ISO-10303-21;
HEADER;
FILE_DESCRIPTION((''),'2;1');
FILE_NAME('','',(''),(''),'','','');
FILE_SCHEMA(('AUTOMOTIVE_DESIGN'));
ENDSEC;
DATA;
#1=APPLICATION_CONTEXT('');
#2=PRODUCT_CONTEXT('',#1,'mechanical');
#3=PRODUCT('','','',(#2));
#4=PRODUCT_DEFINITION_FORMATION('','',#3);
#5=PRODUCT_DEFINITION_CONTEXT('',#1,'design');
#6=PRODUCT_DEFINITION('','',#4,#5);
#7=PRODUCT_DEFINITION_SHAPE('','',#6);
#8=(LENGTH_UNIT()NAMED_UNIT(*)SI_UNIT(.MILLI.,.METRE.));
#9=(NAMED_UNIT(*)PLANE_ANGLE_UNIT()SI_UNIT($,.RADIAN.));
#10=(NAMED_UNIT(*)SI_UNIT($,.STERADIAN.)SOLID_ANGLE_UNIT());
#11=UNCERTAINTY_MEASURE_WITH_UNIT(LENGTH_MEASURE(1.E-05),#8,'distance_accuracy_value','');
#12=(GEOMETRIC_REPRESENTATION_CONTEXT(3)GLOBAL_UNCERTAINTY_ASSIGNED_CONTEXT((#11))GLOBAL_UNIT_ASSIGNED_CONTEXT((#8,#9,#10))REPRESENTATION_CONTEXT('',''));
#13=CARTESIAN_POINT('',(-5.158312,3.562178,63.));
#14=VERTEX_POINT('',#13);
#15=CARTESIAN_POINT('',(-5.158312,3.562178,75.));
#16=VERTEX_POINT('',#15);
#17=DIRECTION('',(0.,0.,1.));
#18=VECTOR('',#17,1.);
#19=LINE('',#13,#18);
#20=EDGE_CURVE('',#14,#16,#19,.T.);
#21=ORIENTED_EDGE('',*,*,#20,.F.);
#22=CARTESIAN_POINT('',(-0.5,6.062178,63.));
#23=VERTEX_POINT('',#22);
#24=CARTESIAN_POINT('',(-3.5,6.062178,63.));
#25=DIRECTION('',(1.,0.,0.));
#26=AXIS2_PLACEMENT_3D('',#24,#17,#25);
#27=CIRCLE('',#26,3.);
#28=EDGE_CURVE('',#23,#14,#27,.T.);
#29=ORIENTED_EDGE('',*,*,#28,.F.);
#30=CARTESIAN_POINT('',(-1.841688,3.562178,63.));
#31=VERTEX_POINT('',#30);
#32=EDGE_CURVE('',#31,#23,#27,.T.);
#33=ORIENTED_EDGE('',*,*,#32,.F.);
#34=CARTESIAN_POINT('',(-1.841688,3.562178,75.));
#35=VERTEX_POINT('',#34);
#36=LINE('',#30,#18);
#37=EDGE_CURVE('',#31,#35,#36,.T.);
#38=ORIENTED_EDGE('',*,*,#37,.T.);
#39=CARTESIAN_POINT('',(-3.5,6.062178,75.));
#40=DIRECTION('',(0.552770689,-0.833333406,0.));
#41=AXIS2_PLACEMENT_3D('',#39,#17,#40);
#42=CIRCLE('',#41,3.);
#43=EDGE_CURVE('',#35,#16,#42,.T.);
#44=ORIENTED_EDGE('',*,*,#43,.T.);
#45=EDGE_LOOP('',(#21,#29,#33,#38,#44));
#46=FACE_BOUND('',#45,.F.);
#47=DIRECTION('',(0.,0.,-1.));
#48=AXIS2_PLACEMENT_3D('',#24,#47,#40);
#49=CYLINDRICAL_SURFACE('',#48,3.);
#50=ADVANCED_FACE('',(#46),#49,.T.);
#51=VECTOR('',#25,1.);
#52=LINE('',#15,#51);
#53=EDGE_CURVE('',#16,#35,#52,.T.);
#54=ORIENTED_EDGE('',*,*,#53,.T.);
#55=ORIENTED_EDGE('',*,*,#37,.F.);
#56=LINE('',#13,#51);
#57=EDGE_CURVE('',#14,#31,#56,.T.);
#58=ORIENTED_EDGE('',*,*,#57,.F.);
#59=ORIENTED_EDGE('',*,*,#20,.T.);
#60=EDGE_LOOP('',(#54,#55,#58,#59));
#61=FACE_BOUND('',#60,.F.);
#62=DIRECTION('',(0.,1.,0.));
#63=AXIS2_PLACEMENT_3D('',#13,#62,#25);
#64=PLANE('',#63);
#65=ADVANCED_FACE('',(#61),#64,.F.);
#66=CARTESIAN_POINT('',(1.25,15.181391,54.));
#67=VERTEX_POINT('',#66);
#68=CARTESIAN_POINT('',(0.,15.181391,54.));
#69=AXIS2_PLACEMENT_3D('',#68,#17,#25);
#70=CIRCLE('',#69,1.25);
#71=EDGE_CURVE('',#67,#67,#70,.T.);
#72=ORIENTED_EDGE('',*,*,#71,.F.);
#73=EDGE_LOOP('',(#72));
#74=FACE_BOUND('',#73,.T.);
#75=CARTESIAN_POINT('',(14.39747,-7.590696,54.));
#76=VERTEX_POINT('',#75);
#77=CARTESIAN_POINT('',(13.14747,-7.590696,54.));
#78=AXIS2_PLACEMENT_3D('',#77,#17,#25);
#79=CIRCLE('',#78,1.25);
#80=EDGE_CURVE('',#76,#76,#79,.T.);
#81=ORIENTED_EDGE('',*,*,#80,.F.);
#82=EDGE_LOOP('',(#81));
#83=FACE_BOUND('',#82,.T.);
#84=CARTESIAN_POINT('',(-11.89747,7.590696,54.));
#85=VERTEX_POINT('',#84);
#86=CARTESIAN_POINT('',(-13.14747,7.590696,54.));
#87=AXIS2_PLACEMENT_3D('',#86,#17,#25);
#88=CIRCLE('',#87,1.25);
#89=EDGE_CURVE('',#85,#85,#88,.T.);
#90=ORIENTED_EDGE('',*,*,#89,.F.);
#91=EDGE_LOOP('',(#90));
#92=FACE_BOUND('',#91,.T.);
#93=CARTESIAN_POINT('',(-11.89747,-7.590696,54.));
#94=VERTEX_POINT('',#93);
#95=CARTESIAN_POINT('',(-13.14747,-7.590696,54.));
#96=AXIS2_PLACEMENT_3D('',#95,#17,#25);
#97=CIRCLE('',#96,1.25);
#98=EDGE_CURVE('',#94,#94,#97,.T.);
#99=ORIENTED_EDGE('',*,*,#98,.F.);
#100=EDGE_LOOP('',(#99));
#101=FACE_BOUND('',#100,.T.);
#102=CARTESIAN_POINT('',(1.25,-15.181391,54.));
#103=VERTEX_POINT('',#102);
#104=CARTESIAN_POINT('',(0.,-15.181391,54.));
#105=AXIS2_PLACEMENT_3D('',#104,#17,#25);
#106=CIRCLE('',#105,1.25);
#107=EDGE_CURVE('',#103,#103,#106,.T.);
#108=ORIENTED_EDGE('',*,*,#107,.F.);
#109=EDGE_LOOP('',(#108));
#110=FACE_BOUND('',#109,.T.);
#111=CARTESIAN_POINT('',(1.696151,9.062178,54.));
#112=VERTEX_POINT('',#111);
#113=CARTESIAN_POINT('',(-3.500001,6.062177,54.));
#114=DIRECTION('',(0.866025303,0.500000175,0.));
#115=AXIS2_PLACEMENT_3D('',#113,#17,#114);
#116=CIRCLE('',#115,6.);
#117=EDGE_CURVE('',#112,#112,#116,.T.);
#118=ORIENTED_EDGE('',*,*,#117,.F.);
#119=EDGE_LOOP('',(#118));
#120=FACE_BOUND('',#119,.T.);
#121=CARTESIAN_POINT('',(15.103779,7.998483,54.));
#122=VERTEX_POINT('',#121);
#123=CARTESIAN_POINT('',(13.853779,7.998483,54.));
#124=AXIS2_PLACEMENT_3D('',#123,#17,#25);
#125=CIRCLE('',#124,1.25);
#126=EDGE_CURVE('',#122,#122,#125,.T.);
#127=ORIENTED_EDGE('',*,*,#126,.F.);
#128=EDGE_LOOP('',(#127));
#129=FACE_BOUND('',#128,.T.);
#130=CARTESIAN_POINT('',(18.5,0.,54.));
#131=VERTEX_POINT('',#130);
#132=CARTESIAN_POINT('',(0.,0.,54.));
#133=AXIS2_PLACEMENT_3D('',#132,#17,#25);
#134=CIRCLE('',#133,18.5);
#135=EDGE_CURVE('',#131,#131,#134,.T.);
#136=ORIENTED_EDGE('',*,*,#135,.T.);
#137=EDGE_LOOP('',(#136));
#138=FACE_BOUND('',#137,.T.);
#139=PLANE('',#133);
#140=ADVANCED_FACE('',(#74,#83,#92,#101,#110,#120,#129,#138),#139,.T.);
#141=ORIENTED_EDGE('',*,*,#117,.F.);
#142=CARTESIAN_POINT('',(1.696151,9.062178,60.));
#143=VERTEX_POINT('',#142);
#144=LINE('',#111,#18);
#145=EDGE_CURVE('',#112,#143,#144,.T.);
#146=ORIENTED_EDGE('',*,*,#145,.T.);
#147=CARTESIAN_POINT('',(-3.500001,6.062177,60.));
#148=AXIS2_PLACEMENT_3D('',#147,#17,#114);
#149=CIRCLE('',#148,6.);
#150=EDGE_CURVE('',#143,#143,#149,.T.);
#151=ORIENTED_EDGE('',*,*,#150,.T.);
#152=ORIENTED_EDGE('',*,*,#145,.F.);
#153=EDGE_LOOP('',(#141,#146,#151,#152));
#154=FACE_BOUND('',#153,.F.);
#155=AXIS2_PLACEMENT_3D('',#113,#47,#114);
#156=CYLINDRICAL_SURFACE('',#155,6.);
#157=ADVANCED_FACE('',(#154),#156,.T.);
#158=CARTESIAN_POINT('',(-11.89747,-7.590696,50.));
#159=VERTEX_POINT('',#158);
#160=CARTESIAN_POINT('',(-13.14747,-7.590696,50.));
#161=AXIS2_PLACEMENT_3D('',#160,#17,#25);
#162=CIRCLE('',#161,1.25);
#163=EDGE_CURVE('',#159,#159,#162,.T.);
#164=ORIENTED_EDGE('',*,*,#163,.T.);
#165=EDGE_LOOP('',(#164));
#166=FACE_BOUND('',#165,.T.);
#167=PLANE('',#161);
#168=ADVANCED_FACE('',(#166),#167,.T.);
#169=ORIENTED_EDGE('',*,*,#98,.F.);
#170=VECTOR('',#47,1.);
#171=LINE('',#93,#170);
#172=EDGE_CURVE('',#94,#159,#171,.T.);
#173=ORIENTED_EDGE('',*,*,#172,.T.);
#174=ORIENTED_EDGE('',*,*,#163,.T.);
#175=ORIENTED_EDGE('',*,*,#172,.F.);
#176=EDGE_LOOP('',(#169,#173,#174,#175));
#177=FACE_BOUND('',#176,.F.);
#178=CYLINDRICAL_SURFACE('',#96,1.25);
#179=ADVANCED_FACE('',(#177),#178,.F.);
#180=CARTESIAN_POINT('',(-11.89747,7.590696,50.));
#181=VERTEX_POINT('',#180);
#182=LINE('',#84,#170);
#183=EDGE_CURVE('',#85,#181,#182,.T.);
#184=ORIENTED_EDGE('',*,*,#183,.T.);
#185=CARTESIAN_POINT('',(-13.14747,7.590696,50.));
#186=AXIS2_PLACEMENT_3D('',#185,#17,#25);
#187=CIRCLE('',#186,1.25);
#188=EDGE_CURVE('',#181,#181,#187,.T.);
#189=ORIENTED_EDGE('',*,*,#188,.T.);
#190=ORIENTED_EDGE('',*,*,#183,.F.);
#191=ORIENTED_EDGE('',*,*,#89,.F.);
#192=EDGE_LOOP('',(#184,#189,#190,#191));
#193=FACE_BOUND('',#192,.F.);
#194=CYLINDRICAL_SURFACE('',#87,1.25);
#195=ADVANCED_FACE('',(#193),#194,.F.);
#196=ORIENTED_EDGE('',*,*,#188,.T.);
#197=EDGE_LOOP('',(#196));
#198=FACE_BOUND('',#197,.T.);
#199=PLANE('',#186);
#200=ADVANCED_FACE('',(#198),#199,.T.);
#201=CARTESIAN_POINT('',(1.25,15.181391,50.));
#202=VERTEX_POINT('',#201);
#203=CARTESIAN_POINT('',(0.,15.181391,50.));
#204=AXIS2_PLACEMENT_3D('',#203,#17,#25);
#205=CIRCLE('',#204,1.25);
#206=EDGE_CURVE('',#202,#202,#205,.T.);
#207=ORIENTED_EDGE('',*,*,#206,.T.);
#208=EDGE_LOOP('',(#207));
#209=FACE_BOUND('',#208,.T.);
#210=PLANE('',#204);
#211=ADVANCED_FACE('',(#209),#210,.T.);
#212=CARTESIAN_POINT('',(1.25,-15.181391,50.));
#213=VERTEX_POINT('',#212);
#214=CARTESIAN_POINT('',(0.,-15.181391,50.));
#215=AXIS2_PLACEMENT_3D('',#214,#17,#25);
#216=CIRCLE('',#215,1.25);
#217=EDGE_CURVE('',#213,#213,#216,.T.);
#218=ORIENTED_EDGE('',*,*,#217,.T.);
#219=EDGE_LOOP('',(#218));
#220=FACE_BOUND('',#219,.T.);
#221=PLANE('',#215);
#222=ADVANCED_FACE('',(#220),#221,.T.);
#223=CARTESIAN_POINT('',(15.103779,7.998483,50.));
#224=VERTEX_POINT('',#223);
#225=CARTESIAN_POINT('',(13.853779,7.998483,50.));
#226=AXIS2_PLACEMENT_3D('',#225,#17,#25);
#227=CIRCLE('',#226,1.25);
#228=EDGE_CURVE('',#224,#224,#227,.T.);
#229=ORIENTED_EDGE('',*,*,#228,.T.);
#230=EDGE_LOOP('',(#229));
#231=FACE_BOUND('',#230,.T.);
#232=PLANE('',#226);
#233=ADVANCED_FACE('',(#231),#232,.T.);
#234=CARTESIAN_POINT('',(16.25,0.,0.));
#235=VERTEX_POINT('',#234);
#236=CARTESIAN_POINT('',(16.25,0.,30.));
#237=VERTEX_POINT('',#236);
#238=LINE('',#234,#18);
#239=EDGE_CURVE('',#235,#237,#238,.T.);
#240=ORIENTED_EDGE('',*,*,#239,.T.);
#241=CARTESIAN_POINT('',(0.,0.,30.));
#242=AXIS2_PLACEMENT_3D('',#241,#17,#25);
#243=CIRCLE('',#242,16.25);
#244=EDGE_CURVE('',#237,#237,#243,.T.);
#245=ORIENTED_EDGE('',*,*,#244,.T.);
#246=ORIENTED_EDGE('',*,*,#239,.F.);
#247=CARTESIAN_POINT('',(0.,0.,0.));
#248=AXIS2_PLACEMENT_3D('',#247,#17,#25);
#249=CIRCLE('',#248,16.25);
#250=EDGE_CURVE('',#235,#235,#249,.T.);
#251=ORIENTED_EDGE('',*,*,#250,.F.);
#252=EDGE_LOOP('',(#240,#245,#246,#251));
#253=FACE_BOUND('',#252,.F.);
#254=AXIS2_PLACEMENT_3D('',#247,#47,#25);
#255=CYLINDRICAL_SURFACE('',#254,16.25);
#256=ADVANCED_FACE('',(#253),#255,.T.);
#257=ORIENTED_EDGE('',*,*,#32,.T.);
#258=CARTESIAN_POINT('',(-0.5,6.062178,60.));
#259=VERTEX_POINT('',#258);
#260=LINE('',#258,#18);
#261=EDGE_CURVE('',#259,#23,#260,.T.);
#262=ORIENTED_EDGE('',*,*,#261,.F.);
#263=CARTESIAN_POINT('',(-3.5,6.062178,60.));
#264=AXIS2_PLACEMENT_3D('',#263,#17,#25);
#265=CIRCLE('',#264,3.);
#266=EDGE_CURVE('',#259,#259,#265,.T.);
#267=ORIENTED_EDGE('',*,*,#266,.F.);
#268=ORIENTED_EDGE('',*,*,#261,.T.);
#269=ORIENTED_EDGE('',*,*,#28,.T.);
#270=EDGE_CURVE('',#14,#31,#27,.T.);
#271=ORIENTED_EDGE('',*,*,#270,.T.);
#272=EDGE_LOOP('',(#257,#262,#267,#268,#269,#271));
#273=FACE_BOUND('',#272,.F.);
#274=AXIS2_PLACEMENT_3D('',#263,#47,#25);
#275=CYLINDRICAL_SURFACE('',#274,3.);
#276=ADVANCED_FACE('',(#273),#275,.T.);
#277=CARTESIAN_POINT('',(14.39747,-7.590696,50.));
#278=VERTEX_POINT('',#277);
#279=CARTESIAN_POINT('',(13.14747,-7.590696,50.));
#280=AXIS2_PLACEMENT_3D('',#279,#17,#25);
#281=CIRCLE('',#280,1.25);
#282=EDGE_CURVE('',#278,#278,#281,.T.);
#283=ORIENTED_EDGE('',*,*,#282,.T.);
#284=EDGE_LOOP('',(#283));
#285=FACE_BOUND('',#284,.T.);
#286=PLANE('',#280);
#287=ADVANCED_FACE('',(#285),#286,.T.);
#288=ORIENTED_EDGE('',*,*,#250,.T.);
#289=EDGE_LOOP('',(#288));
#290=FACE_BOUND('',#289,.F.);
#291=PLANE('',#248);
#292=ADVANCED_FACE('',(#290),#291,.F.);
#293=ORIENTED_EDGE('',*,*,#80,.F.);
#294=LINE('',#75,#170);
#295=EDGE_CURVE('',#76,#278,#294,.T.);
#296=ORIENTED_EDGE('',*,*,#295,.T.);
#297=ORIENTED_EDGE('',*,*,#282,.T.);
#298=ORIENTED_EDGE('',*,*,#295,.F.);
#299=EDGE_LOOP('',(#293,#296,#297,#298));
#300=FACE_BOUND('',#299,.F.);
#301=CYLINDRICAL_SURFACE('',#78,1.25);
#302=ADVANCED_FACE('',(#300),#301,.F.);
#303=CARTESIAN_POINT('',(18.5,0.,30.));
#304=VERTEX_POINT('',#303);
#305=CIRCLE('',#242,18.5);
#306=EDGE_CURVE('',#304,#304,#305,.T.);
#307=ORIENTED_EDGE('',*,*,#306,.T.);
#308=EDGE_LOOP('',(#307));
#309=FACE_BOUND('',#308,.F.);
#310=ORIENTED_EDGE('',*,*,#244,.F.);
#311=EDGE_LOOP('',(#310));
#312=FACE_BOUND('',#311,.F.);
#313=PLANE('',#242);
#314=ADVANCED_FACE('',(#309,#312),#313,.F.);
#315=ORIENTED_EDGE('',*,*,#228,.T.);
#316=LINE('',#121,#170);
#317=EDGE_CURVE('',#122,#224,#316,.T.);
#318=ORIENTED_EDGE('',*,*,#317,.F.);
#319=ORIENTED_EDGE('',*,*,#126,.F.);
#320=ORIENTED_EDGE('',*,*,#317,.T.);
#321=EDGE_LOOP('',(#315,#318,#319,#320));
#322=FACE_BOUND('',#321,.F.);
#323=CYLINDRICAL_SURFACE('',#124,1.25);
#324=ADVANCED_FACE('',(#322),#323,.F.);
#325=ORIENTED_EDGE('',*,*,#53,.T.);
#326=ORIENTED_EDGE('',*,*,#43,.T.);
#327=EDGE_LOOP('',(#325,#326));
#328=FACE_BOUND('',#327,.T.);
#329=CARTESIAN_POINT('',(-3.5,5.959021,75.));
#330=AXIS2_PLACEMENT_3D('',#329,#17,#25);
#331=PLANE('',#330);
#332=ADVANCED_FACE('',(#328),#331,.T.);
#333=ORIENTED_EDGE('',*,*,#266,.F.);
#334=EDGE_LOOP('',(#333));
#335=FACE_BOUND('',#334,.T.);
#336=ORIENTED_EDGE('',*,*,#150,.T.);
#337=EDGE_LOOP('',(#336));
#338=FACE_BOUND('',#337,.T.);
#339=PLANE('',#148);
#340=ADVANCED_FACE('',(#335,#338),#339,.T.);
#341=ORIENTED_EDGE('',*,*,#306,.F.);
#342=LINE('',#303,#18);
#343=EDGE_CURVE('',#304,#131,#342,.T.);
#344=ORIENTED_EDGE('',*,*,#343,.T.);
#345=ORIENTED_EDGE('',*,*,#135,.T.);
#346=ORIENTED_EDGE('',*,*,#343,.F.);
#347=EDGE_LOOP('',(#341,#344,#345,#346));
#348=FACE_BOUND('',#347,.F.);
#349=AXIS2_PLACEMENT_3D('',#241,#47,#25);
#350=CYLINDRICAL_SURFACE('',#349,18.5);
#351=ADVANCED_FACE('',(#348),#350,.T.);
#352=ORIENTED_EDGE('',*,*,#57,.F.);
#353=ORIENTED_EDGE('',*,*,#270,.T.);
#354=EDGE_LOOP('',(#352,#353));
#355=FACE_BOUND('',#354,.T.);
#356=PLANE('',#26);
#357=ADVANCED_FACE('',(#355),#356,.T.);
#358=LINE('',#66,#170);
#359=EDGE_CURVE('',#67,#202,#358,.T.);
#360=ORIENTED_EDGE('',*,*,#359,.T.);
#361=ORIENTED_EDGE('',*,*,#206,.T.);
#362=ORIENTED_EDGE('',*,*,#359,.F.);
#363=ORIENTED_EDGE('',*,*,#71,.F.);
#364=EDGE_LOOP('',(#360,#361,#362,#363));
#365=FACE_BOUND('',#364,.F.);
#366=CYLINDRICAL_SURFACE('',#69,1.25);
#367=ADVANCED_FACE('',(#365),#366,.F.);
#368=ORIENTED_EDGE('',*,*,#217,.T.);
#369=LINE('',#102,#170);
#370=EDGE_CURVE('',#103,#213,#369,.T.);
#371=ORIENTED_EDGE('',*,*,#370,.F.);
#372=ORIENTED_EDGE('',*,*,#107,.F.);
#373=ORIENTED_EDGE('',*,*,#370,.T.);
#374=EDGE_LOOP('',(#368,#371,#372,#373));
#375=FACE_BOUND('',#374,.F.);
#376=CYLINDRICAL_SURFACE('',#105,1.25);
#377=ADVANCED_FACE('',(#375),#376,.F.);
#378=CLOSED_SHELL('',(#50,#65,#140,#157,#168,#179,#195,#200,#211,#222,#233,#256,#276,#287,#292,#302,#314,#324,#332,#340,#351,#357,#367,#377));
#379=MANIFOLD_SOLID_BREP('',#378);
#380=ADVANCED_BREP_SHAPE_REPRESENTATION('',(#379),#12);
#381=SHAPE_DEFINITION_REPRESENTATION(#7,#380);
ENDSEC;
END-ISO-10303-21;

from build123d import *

# Parameters (mm, degrees)
SKETCH_R     = 16.25
PAD_DEPTH    = 30
SKETCH001_R  = 18.5
PAD001_DEPTH = 24
SKETCH002_R  = 1.25
POCKET_DEPTH = 4
SKETCH003_R  = 6
PAD002_DEPTH = 6
SKETCH004_R  = 3
PAD003_DEPTH = 3
PAD004_DEPTH = 12


with BuildPart() as part:
    # Sketch → Pad (new body)
    with BuildSketch(Plane.XY):
        Circle(SKETCH_R)
    extrude(amount=PAD_DEPTH)

    # Sketch001 (on Face3 of Pad) → Pad001 (join)
    with BuildSketch(Plane.XY.offset(30)):
        Circle(SKETCH001_R)
    extrude(amount=PAD001_DEPTH)

    # Sketch002 (on Face5 of Pad001) → Pocket (cut)
    with BuildSketch(Plane.XY.offset(54)):
        with Locations((-13.14747, 7.590696)):
            Circle(SKETCH002_R)
        with Locations((-13.14747, -7.590696)):
            Circle(SKETCH002_R)
        with Locations((13.14747, -7.590696)):
            Circle(SKETCH002_R)
        with Locations((0, 15.181391)):
            Circle(SKETCH002_R)
        with Locations((13.853779, 7.998483)):
            Circle(SKETCH002_R)
        with Locations((0, -15.181391)):
            Circle(SKETCH002_R)
    extrude(amount=-POCKET_DEPTH, mode=Mode.SUBTRACT)

    # Sketch003 (on Face5 of Pocket) → Pad002 (join)
    with BuildSketch(Plane(origin=(0, 0, 54), x_dir=(0.866025, 0.5, 0), z_dir=(0, 0, 1))):
        with Locations((0, 7)):
            Circle(SKETCH003_R)
    extrude(amount=PAD002_DEPTH)

    # Sketch004 (on Face17 of Pad002) → Pad003 (join)
    with BuildSketch(Plane.XY.offset(60)):
        with Locations((-3.5, 6.062178)):
            Circle(SKETCH004_R)
    extrude(amount=PAD003_DEPTH)

    # Sketch005 (on Face21 of Pad003) → Pad004 (join)
    with BuildSketch(Plane.XY.offset(63)):
        with BuildLine():
            Line((-5.158312, 3.562178), (-1.841688, 3.562178))
            ThreePointArc((-1.841688, 3.562178), (-3.5, 9.062178), (-5.158312, 3.562178))
        make_face()
    extrude(amount=PAD004_DEPTH)


solid = part.part
